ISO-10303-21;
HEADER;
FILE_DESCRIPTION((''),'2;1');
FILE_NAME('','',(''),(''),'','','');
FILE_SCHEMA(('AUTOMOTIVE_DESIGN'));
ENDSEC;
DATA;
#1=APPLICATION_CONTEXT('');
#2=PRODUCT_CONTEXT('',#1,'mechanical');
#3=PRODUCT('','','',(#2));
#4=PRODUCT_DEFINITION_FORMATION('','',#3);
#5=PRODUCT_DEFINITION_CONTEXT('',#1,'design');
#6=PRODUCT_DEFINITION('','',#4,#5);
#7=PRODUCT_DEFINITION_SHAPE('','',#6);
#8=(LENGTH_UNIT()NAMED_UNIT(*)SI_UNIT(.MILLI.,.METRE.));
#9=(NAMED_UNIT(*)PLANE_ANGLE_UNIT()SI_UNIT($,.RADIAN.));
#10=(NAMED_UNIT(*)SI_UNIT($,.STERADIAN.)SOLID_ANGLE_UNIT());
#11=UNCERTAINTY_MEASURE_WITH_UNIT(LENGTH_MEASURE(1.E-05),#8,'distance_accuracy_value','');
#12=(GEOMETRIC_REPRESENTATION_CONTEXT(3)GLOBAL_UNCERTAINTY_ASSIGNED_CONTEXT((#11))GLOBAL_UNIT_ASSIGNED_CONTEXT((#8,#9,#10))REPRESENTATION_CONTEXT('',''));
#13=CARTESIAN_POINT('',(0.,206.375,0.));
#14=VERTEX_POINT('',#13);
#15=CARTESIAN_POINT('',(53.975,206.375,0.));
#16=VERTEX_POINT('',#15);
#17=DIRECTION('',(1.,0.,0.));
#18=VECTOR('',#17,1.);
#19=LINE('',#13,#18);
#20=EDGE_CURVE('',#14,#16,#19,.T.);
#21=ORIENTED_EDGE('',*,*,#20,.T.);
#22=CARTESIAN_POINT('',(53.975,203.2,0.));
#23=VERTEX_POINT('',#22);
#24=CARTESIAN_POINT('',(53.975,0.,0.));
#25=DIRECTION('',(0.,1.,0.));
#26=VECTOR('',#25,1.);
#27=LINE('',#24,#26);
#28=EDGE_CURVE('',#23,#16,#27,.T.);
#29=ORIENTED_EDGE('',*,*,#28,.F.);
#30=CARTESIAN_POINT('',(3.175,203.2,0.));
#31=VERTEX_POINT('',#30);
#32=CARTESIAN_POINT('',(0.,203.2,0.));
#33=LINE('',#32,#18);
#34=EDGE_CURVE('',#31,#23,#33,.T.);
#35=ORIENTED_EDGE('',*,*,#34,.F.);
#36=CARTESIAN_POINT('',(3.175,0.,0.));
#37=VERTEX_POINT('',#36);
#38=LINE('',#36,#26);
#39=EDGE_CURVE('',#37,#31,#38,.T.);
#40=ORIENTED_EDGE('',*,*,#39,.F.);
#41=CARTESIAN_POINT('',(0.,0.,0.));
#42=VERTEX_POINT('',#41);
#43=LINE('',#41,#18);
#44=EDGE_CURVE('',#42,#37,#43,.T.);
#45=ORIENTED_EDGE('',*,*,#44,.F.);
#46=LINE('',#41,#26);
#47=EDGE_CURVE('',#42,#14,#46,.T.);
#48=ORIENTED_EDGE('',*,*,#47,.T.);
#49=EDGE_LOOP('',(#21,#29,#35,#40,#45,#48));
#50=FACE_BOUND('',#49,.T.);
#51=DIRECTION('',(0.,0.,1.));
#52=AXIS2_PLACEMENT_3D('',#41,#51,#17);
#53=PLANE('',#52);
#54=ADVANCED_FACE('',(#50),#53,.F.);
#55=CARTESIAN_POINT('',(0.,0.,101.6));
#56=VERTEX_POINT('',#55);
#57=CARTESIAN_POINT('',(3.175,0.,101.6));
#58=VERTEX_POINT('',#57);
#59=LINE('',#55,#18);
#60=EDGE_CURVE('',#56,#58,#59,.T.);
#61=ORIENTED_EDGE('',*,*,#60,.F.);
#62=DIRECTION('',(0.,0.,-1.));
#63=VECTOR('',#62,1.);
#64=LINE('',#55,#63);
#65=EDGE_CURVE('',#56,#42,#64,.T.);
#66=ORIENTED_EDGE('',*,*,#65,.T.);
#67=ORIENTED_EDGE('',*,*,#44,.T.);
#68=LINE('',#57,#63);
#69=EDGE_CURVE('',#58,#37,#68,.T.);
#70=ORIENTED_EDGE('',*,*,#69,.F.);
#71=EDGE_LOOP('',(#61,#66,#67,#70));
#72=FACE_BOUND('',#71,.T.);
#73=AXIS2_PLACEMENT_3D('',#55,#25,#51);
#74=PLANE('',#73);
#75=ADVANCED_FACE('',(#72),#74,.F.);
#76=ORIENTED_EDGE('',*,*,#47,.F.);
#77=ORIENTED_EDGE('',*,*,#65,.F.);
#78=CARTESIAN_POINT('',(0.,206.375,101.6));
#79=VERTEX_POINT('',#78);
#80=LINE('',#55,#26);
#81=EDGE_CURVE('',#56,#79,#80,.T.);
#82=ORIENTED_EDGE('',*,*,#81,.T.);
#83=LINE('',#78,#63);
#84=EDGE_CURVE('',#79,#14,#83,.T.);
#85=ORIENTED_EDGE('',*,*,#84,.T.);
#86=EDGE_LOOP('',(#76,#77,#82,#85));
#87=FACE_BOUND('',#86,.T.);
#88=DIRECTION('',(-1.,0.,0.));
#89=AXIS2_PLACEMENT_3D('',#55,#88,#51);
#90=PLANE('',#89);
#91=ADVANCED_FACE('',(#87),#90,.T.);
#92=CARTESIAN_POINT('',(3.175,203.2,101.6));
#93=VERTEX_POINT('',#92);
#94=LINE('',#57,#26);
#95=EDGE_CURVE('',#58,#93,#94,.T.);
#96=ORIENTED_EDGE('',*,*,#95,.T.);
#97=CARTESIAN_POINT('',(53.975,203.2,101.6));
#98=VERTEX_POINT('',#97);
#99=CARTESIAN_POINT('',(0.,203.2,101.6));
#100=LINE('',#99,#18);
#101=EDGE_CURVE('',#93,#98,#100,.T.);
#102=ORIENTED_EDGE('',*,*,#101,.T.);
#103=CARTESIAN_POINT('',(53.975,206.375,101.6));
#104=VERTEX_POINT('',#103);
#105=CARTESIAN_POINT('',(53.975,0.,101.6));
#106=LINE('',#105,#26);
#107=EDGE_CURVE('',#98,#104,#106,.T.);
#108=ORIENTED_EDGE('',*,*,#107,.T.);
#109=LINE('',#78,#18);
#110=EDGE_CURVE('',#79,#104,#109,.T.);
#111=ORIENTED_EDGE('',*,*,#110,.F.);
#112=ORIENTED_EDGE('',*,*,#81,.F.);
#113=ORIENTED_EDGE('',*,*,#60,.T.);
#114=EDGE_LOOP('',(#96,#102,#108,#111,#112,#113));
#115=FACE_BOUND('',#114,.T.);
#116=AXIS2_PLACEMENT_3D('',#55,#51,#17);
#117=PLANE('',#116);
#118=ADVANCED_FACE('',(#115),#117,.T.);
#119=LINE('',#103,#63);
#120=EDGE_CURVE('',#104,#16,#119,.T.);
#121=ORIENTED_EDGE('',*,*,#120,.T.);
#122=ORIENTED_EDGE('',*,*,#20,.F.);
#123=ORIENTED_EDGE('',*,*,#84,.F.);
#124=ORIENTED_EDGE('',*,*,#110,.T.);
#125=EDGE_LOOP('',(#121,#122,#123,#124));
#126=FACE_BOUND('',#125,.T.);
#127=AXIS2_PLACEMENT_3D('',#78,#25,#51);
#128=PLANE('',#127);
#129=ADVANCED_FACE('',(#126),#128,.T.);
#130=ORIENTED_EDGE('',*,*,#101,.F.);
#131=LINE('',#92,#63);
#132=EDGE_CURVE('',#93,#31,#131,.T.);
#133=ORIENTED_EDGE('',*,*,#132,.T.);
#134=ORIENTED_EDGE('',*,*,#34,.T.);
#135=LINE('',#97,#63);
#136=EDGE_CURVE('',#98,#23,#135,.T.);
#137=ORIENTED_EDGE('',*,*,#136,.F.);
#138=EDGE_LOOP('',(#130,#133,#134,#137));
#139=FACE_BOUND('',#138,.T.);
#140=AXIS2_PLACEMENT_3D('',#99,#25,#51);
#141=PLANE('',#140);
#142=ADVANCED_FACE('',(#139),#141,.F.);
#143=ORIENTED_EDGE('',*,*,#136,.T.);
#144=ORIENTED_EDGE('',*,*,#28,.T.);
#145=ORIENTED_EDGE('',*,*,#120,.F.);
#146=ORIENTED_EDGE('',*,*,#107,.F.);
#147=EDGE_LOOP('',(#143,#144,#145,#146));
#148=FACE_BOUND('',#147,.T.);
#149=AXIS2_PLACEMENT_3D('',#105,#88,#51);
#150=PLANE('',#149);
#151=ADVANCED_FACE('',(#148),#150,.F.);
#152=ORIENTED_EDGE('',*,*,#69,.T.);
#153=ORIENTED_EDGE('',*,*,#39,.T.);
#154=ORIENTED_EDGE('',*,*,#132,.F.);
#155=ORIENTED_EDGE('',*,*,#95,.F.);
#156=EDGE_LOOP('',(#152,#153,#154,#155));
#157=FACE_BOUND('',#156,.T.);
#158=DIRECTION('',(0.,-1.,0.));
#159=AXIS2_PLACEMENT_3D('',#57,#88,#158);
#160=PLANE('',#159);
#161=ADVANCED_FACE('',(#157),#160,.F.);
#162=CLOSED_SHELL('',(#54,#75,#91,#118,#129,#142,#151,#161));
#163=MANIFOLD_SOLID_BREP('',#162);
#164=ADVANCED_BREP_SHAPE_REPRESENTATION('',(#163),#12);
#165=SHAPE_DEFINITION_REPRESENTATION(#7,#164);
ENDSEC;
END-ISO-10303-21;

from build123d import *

# Parameters (mm, degrees)
BOSS_EXTRUDE1_DEPTH = 101.6


with BuildPart() as part:
    # Sketch1 → Boss-Extrude1 (new body)
    with BuildSketch(Plane.XY):
        Polygon((0, 206.375), (0, 0), (3.175, 0), (3.175, 203.2), (53.975, 203.2), (53.975, 206.375), align=None)
    extrude(amount=BOSS_EXTRUDE1_DEPTH)


solid = part.part
